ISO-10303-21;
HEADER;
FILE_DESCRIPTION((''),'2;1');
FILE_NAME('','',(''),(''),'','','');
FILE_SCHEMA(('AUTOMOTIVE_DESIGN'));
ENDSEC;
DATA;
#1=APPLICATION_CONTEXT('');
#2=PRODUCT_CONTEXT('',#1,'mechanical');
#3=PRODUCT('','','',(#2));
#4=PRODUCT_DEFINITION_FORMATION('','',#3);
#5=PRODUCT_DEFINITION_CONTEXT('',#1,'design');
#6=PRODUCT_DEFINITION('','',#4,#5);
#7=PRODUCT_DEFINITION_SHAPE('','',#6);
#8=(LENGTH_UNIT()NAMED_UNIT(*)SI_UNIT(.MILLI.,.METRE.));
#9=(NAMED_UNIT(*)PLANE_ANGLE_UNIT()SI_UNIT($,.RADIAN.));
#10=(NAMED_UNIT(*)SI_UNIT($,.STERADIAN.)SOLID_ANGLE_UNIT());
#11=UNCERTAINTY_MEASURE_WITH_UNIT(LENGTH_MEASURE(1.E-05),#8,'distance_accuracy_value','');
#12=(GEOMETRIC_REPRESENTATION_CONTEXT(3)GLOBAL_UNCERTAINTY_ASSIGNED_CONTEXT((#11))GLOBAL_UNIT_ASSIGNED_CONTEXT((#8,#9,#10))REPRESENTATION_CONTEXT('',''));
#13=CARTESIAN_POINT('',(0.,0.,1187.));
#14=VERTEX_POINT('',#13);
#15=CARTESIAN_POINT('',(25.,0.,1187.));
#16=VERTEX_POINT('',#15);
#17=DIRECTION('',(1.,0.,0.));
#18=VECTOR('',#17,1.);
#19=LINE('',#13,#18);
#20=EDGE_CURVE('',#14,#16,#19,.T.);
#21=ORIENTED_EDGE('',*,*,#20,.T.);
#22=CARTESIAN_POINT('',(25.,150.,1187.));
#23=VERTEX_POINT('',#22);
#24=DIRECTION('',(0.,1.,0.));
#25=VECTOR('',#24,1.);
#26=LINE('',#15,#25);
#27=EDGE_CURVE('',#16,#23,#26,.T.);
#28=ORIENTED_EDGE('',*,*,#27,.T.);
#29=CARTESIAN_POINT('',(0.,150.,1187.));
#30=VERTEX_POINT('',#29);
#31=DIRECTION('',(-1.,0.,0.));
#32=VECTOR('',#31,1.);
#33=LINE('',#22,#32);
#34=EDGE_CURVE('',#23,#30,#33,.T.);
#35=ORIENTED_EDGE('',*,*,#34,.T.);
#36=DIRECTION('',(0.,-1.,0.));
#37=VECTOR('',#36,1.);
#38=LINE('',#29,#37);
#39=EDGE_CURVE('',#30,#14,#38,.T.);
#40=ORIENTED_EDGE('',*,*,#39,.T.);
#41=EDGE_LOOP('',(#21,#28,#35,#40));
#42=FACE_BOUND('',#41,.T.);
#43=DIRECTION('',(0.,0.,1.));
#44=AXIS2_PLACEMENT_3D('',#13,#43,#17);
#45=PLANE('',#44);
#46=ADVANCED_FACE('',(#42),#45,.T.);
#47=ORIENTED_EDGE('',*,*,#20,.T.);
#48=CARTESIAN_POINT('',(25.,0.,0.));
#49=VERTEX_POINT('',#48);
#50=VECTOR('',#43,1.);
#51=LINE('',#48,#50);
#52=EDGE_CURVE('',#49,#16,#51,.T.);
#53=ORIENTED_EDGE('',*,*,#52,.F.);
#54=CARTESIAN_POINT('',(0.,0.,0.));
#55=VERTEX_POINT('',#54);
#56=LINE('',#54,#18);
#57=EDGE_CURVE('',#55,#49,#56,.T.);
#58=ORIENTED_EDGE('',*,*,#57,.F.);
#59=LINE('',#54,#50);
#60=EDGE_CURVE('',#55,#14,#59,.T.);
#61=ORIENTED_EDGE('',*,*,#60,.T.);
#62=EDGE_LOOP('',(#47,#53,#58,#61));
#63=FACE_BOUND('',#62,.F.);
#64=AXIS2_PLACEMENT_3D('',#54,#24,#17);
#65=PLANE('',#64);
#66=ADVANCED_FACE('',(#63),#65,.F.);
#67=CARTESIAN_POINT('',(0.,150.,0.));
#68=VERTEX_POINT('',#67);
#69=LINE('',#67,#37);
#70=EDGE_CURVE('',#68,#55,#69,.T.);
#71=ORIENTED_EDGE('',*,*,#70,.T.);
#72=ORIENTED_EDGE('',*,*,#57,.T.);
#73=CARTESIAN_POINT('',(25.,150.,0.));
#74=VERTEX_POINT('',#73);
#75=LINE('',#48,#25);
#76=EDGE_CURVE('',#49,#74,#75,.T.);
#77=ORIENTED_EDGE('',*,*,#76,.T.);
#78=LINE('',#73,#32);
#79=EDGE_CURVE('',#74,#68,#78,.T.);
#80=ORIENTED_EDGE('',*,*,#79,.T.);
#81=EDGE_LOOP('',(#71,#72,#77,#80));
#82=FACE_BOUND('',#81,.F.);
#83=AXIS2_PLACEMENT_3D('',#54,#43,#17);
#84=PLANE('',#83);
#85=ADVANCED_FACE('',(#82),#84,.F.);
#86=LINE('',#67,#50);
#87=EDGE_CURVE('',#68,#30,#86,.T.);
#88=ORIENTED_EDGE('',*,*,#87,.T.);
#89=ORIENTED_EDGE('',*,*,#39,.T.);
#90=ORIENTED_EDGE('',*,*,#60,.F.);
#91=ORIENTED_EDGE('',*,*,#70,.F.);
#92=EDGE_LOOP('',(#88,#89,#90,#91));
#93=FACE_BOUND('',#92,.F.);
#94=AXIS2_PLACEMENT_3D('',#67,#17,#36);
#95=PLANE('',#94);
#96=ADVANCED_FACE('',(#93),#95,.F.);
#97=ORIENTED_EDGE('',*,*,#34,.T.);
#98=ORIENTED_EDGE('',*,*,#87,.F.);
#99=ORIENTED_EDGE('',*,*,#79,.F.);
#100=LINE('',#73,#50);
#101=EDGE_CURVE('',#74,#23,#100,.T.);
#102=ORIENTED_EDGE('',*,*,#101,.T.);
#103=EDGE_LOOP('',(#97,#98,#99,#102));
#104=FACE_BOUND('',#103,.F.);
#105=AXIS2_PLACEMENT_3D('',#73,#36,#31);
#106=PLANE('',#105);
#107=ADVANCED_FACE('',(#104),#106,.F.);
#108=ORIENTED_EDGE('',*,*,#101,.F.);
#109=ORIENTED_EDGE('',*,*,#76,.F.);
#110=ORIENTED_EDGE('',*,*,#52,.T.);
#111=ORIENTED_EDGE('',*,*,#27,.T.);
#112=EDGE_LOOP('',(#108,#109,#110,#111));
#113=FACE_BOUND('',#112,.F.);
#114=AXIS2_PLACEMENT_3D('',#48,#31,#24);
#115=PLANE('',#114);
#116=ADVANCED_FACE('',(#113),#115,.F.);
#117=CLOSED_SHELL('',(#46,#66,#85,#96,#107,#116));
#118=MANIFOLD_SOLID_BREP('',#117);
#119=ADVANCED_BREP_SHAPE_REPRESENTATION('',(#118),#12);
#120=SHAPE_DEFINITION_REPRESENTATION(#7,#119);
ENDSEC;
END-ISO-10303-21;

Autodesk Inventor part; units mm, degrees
ref_plane "YZ Plane" through (0, 0, 0) normal (1, 0, 0) x (0, 1, 0)
ref_plane "XZ Plane" through (0, 0, 0) normal (0, 1, 0) x (-1, 0, 0)
ref_plane "XY Plane" through (0, 0, 0) normal (0, 0, 1) x (1, 0, 0)
sketch "Sketch1" plane through (0, 0, 0) normal (0, 0, 1) x (1, 0, 0)
  line L0 (0, 0) -> (25, 0)
  line L1 (25, 0) -> (25, 150)
  line L2 (25, 150) -> (0, 150)
  line L3 (0, 150) -> (0, 0)
  dimension "d0" = 25
  dimension "d1" = 150
extrude "Extrusion1" add sketch "Sketch1" along normal blind 1187
properties part number "transversal"
